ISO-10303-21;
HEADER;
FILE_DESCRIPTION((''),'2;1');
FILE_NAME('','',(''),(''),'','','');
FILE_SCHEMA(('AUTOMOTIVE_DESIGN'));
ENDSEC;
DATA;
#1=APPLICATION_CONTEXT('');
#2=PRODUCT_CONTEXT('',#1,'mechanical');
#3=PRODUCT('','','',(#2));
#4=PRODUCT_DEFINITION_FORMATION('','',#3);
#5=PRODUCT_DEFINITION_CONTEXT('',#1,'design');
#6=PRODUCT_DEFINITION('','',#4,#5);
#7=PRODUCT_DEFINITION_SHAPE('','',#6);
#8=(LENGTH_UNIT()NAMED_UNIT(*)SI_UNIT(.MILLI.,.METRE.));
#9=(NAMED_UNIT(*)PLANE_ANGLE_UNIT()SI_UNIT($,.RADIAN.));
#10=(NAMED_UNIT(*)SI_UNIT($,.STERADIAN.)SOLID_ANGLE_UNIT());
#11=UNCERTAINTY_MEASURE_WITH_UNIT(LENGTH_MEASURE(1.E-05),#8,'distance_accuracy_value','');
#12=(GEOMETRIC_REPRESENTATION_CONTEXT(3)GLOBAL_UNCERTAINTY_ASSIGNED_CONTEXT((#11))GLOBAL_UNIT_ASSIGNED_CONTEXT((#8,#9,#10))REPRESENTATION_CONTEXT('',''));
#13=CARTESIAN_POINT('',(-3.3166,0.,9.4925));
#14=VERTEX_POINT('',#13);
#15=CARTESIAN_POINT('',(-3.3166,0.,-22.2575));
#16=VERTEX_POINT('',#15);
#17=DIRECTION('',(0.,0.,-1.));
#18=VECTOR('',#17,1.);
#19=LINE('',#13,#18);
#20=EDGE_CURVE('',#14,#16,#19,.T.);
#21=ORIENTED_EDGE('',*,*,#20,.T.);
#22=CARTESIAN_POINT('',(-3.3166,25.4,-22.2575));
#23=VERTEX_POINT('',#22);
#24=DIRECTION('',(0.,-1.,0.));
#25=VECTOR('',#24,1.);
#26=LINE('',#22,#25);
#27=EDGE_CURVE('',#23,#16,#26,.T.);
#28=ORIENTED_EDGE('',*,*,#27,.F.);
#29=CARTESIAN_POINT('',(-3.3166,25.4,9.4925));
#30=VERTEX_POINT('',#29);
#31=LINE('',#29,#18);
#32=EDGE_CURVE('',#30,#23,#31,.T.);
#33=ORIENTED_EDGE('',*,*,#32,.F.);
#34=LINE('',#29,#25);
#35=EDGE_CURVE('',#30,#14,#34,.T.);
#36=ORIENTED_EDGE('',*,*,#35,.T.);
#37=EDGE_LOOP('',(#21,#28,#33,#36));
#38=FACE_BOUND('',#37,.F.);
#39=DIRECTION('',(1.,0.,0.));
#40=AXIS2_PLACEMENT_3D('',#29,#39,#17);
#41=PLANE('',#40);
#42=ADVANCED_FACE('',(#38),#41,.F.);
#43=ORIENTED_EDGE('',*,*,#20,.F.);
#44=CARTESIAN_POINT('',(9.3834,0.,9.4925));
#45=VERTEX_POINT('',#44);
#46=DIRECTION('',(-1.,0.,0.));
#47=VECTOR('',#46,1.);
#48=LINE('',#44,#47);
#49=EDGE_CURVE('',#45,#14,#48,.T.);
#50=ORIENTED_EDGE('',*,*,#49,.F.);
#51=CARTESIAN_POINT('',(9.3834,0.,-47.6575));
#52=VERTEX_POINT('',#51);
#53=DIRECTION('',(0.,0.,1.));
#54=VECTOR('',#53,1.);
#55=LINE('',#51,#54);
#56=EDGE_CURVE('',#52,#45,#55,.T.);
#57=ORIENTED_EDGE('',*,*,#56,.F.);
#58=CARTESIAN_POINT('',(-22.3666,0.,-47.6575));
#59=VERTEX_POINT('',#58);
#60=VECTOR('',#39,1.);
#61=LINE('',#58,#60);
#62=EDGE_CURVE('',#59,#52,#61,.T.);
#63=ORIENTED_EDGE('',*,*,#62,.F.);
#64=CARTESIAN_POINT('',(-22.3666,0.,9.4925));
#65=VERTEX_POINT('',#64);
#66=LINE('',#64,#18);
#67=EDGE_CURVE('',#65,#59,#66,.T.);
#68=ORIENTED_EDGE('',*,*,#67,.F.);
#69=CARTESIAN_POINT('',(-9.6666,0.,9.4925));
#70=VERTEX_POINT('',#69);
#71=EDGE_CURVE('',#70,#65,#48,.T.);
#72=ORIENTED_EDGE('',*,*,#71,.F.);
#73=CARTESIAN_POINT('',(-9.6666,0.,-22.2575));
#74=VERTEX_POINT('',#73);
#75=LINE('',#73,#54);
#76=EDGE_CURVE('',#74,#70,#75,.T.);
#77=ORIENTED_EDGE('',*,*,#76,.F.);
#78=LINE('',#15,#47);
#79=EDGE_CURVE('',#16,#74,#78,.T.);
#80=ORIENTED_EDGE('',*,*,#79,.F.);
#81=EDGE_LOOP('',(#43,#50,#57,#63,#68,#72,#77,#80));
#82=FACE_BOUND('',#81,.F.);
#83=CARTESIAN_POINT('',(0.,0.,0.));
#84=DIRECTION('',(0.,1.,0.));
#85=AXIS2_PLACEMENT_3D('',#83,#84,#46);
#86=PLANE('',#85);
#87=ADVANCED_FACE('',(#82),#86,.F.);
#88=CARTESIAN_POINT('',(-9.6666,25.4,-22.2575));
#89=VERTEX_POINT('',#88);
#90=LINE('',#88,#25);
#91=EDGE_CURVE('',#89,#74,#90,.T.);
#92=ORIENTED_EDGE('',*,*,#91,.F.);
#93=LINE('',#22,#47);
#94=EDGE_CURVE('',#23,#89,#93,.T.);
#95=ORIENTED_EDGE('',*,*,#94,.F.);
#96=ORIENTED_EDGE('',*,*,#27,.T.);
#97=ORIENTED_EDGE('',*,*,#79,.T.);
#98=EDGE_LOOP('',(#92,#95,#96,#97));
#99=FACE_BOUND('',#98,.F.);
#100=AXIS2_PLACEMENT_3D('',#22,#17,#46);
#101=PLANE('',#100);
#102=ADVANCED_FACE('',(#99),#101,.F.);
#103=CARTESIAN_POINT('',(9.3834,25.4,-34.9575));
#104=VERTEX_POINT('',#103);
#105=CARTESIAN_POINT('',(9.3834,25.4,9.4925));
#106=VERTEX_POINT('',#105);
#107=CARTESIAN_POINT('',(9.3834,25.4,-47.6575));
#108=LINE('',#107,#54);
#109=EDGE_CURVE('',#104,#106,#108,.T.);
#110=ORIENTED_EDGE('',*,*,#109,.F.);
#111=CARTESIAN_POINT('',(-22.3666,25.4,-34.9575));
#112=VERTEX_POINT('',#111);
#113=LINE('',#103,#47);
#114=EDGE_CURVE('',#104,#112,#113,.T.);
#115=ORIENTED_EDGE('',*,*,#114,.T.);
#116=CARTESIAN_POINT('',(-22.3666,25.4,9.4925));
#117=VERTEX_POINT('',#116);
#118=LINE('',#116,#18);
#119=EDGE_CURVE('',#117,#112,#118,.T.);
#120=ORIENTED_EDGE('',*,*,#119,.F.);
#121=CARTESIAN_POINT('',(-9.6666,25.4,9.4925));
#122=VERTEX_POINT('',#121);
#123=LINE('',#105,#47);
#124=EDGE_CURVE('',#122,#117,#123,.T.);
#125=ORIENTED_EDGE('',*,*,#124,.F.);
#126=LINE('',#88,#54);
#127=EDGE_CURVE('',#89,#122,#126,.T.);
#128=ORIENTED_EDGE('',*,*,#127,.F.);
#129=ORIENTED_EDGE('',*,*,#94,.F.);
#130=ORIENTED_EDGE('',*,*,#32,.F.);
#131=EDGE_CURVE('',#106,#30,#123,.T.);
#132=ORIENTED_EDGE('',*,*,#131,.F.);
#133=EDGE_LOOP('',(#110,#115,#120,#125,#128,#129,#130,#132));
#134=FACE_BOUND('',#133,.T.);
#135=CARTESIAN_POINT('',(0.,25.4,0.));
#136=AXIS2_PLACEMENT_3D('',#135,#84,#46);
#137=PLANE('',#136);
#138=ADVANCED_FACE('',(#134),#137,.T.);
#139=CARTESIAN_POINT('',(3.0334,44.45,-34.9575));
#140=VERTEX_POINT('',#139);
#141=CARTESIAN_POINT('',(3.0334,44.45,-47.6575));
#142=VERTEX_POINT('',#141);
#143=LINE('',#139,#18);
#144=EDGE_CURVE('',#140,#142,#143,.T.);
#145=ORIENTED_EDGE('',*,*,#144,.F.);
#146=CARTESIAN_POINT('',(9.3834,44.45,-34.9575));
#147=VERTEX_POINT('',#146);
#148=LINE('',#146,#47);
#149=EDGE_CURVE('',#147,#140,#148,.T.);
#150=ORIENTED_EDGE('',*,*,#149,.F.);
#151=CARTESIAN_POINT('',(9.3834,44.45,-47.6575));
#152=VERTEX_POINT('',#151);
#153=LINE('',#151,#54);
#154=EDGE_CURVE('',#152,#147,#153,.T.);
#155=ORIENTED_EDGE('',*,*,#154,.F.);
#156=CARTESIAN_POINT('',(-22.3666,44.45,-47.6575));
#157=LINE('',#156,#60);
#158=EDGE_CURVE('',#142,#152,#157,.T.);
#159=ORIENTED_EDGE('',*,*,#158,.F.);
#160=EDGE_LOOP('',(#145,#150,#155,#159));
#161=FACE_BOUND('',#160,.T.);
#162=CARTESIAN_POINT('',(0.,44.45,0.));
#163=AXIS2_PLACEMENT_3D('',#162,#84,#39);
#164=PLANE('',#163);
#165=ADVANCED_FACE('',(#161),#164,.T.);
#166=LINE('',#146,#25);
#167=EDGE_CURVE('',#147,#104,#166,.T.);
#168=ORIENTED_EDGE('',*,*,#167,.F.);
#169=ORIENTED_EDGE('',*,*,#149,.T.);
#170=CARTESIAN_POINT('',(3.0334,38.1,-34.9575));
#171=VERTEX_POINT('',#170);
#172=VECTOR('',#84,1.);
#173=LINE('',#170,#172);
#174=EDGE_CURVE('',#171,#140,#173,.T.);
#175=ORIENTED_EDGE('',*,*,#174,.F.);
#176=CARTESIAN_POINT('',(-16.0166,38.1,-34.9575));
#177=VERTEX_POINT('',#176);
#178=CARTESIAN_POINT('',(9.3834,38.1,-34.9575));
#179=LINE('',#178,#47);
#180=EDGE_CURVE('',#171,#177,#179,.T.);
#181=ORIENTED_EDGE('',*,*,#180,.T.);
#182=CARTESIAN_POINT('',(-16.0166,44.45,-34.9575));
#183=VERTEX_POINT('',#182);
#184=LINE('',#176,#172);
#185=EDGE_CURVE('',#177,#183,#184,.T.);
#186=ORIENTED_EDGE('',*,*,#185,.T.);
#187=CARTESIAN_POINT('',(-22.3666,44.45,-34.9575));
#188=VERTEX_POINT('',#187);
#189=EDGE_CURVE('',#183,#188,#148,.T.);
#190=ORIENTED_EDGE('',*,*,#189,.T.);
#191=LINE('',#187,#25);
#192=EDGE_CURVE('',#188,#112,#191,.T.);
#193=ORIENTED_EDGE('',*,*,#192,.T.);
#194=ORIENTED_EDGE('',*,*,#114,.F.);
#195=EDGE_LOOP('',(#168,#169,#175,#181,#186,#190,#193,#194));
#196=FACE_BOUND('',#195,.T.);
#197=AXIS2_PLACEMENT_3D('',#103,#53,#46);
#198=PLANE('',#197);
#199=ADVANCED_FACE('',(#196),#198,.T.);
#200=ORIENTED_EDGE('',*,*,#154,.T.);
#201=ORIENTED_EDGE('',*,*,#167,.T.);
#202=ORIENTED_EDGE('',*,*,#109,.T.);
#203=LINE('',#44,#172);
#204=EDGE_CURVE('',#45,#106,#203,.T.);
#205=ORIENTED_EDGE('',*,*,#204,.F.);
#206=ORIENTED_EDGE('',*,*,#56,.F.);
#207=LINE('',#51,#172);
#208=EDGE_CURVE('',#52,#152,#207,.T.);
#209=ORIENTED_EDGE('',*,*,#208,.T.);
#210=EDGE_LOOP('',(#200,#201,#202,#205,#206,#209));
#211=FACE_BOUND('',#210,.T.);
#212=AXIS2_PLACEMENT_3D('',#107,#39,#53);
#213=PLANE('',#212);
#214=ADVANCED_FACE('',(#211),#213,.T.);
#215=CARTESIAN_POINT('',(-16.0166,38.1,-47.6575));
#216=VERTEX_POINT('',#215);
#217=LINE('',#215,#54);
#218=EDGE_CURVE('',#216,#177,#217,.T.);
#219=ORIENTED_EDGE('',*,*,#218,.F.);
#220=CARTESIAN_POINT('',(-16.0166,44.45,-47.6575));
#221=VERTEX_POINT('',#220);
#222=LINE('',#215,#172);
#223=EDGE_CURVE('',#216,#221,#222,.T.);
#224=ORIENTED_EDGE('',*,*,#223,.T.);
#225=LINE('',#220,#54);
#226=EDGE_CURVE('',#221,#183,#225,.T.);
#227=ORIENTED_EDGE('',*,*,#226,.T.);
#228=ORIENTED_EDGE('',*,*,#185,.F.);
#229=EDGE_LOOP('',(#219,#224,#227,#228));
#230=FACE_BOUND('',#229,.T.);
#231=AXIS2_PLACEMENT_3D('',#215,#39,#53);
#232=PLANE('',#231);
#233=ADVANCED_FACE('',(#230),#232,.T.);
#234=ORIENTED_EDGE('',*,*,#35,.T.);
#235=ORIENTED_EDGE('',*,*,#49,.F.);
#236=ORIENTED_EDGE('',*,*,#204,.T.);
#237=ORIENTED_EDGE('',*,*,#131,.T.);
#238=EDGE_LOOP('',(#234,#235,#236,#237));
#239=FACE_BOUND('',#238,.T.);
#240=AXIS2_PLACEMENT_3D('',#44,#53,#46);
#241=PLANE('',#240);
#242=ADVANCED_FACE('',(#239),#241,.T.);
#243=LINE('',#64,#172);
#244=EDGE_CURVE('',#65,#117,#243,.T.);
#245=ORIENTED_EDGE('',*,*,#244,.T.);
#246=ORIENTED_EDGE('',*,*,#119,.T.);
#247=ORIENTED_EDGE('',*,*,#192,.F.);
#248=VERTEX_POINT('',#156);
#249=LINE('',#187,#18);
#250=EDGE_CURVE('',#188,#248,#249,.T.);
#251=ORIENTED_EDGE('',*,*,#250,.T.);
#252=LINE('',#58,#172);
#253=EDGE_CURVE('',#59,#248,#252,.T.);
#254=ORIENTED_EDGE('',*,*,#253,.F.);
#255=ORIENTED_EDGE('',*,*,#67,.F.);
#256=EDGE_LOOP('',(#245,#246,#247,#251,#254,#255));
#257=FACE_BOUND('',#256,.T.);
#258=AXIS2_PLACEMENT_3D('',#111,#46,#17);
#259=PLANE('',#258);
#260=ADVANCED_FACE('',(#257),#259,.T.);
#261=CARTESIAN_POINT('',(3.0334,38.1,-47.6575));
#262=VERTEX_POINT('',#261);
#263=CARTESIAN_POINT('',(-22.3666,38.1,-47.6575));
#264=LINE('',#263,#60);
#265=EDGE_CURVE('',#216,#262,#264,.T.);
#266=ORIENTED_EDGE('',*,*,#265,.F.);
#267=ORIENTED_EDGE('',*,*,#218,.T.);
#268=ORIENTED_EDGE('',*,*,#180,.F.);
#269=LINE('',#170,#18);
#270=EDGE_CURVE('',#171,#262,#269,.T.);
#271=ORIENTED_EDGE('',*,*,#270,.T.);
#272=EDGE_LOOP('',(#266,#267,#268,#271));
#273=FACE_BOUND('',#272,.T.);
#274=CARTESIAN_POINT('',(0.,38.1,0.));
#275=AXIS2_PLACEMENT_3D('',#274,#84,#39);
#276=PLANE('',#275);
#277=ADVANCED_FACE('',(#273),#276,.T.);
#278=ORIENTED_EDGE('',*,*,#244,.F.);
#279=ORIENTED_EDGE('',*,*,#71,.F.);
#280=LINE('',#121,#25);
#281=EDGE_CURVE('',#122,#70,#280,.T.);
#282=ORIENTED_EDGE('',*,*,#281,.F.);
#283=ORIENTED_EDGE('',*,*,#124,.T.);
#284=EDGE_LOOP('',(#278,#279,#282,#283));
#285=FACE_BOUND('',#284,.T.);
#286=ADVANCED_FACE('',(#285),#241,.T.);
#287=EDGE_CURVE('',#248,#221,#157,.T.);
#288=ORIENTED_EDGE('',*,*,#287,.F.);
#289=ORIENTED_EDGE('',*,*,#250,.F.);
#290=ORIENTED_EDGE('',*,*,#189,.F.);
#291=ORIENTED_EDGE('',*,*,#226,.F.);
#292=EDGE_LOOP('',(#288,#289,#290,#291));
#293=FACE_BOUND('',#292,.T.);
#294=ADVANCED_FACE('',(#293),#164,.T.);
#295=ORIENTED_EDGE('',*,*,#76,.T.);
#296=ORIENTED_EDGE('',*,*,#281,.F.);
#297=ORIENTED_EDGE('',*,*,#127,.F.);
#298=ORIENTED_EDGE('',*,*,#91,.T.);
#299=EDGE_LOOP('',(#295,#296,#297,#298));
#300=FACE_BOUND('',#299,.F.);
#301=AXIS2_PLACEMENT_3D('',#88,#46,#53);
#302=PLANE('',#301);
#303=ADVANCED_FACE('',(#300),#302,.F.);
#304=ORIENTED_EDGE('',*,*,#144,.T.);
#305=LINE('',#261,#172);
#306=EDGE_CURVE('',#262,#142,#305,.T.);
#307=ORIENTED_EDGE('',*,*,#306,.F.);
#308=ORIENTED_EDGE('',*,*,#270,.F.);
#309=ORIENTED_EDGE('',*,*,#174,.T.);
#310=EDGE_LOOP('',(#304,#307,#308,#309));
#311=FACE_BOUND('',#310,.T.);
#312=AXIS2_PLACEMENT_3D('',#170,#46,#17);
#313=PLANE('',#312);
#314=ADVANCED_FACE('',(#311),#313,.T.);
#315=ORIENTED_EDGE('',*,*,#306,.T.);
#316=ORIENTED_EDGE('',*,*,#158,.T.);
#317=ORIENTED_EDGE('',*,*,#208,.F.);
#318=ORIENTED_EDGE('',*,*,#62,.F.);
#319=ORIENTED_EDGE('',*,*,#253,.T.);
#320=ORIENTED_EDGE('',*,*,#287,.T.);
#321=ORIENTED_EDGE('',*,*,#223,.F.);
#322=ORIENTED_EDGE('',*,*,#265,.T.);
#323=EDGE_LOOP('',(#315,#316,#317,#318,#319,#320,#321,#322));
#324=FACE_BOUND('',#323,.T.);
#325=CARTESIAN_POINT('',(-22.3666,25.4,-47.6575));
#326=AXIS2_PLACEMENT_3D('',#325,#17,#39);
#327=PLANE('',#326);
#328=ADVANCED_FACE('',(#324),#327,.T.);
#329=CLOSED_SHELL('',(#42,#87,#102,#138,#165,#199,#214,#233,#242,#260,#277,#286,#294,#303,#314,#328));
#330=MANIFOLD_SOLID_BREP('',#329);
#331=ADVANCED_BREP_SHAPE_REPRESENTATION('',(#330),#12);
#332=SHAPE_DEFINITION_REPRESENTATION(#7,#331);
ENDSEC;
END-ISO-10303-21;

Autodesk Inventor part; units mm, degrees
ref_plane "YZ Plane" through (0, 0, 0) normal (1, 0, 0) x (0, 1, 0)
ref_plane "XZ Plane" through (0, 0, 0) normal (0, 1, 0) x (-1, 0, 0)
ref_plane "XY Plane" through (0, 0, 0) normal (0, 0, 1) x (1, 0, 0)
sketch "Sketch1" plane through (0, 0, 0) normal (0, 1, 0) x (-1, 0, 0)
  line L0 (-9.3834, 9.4925) -> (22.3666, 9.4925)
  line L1 (22.3666, 9.4925) -> (22.3666, -47.6575)
  line L2 (22.3666, -47.6575) -> (-9.3834, -47.6575)
  line L3 (-9.3834, -47.6575) -> (-9.3834, 9.4925)
  point P0 (0, 0)
  dimension "d0" = 31.75
  dimension "d1" = 57.15
extrude "Extrusion1" add sketch "Sketch1" along normal blind 25.4
sketch "Sketch2" plane through (0, 25.4, 0) normal (0, 1, 0) x (1, 0, 0)
  point P0 (0, 0)
sketch "Sketch3" plane through (0, 25.4, 0) normal (0, 1, 0) x (1, 0, 0)
  line L0 (-22.3666, -9.4925) -> (9.3834, -9.4925) construction
  line L1 (-22.3666, -9.4925) -> (-9.6666, -9.4925) construction
  line L2 (9.3834, -9.4925) -> (-3.3166, -9.4925) construction
  line L3 (-9.6666, -9.4925) -> (-3.3166, -9.4925) construction
  line L4 (-3.3166, -9.4925) -> (-3.3166, 22.2575)
  line L5 (-3.3166, 22.2575) -> (-9.6666, 22.2575)
  line L6 (-9.6666, 22.2575) -> (-9.6666, -9.4925)
  line L7 (-9.6666, -9.4925) -> (-3.3166, -9.4925)
  point P0 (0, 0)
  dimension "d4" = 12.7
  dimension "d5" = 12.7
  dimension "d6" = 31.75
extrude "Extrusion2" cut sketch "Sketch3" against normal blind 25.4
sketch "Sketch4" plane through (0, 25.4, 0) normal (0, 1, 0) x (1, 0, 0)
  line L0 (9.3834, 47.6575) -> (9.3834, -9.4925) projected
  line L1 (-22.3666, 47.6575) -> (9.3834, 47.6575)
  line L2 (9.3834, 47.6575) -> (9.3834, 34.9575)
  line L3 (9.3834, 34.9575) -> (-22.3666, 34.9575)
  line L4 (-22.3666, 34.9575) -> (-22.3666, 47.6575)
  point P0 (0, 0)
  dimension "d9" = 12.7
extrude "Extrusion3" add sketch "Sketch4" along normal blind 12.7
sketch "Sketch5" plane through (0, 38.1, 0) normal (0, 1, 0) x (1, 0, 0)
  line L0 (9.3834, 34.9575) -> (-22.3666, 34.9575) projected
  line L1 (-22.3666, 47.6575) -> (9.3834, 47.6575) projected
  line L2 (9.3834, 34.9575) -> (3.0334, 34.9575)
  line L3 (3.0334, 34.9575) -> (3.0334, 47.6575)
  line L4 (3.0334, 47.6575) -> (9.3834, 47.6575)
  line L5 (9.3834, 47.6575) -> (9.3834, 34.9575)
  line L6 (-22.3666, 47.6575) -> (-16.0166, 47.6575)
  line L7 (-16.0166, 47.6575) -> (-16.0166, 34.9575)
  line L8 (-16.0166, 34.9575) -> (-22.3666, 34.9575)
  line L9 (-22.3666, 34.9575) -> (-22.3666, 47.6575)
  point P0 (0, 0)
  dimension "d12" = 6.35
  dimension "d13" = 6.35
extrude "Extrusion4" add sketch "Sketch5" along normal blind 6.35 contours L0 L3 L1 L5 | L0 L9 L1 L7
properties part number "Unit 7.1"
